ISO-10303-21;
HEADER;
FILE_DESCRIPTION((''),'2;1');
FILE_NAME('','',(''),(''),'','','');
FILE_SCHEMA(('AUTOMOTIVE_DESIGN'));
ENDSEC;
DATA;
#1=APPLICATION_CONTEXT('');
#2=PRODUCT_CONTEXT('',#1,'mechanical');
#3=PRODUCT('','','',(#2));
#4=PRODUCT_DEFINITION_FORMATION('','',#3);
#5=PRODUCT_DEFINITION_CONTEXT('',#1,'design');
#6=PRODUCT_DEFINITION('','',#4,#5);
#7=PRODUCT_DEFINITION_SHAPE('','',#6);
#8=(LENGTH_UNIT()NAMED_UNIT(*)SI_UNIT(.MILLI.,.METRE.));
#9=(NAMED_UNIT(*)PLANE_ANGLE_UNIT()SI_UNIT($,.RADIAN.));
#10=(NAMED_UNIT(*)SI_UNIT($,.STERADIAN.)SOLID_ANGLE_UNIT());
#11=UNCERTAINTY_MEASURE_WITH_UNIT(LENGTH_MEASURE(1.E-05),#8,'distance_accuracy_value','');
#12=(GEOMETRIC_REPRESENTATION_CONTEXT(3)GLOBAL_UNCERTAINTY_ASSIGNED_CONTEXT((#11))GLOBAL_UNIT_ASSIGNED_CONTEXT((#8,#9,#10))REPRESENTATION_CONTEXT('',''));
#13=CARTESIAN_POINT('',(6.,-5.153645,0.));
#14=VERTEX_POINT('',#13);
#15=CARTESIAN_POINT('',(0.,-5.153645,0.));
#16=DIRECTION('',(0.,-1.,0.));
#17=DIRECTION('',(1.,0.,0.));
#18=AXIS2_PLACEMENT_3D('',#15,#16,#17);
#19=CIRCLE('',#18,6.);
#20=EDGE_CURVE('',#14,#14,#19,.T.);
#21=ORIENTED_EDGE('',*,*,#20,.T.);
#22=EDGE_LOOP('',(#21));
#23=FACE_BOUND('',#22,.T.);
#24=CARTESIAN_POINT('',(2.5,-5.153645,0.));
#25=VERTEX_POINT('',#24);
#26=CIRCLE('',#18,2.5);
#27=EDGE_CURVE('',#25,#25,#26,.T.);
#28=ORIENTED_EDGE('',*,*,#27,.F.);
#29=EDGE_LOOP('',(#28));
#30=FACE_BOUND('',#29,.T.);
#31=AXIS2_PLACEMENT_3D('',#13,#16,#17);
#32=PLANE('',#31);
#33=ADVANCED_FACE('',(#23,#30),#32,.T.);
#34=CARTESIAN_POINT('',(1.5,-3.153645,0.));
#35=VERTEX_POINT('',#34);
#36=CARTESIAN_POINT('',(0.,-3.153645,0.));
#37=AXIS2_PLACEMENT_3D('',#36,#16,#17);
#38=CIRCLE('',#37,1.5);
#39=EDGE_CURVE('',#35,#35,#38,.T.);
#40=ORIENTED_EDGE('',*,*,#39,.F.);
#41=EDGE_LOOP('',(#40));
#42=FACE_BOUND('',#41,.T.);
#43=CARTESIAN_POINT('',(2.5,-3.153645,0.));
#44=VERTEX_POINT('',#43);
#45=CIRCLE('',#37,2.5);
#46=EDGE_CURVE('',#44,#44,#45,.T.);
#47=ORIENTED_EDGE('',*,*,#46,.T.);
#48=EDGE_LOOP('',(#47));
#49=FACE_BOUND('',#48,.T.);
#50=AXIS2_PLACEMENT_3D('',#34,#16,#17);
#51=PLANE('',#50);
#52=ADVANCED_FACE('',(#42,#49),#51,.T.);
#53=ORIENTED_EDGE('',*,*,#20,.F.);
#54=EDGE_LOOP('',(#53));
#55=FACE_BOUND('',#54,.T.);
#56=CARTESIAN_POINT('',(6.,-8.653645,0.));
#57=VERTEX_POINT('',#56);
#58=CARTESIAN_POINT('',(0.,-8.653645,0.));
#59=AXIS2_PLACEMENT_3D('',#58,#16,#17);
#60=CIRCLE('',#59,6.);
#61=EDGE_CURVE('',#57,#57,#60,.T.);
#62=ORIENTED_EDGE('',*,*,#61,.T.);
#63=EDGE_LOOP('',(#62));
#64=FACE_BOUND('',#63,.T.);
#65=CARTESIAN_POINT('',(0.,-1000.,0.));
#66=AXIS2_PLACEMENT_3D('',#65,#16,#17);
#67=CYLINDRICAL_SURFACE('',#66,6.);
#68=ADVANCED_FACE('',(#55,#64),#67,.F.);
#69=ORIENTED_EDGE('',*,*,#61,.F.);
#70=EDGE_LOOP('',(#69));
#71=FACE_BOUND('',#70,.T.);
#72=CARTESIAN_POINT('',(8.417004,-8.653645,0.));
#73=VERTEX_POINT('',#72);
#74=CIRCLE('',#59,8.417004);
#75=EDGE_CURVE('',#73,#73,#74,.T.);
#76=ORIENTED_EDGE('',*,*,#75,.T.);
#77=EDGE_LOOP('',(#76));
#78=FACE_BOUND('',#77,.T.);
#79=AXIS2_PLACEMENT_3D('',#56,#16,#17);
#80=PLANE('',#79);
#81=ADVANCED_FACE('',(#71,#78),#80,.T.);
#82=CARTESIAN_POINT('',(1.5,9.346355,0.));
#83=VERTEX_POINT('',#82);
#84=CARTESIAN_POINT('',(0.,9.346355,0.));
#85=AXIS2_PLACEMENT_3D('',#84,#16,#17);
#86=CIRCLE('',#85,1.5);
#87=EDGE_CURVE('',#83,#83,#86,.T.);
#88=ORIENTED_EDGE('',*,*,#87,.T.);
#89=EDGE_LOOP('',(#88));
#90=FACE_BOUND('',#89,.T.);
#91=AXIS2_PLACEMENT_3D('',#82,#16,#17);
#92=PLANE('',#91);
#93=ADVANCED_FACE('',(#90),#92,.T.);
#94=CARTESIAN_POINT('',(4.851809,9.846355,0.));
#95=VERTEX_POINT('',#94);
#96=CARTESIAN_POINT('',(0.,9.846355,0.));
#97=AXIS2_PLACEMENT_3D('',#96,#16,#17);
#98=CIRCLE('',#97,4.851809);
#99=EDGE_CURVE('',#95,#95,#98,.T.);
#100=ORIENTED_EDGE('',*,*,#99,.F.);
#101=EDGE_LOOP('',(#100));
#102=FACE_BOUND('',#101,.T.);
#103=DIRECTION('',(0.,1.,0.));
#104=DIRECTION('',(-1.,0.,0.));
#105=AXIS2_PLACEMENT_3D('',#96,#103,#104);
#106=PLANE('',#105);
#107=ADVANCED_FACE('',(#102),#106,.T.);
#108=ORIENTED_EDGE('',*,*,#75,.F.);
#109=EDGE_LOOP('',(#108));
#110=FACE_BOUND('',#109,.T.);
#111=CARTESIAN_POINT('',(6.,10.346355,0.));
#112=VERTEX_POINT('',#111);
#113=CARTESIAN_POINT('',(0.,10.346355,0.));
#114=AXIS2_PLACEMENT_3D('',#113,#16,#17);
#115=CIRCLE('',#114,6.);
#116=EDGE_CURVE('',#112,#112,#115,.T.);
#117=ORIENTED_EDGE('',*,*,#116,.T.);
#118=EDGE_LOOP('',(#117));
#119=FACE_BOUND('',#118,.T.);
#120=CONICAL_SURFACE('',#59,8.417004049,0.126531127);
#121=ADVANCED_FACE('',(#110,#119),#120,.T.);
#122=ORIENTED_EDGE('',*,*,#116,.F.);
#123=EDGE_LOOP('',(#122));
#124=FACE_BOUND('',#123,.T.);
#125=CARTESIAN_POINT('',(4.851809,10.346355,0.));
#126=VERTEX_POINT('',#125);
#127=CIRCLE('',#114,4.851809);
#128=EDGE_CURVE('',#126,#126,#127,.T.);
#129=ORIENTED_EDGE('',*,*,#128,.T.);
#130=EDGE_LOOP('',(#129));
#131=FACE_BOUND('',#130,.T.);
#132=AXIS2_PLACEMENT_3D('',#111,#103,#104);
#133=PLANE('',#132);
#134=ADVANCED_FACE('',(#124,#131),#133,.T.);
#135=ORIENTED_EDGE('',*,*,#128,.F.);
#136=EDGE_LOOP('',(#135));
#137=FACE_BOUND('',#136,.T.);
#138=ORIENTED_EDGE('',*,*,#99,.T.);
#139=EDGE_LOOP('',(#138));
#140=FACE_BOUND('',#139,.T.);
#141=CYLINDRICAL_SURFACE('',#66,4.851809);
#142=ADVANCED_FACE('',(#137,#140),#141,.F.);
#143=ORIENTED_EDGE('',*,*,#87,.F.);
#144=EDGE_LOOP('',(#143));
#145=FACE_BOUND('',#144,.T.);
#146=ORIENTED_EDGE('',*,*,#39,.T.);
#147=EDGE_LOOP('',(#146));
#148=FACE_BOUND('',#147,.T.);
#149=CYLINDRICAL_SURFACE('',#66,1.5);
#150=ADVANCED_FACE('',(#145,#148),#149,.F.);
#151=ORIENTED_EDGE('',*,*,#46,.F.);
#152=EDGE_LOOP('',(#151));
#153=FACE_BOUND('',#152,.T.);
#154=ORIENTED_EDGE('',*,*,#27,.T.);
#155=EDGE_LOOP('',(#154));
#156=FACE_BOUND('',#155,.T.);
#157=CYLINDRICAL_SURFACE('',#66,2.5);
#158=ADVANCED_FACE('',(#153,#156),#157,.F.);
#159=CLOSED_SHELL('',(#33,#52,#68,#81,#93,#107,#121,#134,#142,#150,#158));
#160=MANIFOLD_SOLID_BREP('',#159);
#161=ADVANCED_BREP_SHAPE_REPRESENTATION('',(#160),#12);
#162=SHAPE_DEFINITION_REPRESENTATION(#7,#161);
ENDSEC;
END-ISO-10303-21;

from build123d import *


with BuildPart() as part:
    # Эскиз2 → Повернуть1 (revolve)
    with BuildSketch(Plane.XY):
        Polygon((0, 9.846355146), (0, 9.346355146), (1.5, 9.346355146), (1.5, -3.153644854), (2.5, -3.153644854), (2.5, -5.153644854), (6, -5.153644854), (6, -8.653644854), (8.417004049, -8.653644854), (6, 10.346355146), (4.851809127, 10.346355146), (4.851809127, 9.846355146), align=None)
    revolve(axis=Axis((0, -1000, 0), (0, 1, 0)))


solid = part.part
